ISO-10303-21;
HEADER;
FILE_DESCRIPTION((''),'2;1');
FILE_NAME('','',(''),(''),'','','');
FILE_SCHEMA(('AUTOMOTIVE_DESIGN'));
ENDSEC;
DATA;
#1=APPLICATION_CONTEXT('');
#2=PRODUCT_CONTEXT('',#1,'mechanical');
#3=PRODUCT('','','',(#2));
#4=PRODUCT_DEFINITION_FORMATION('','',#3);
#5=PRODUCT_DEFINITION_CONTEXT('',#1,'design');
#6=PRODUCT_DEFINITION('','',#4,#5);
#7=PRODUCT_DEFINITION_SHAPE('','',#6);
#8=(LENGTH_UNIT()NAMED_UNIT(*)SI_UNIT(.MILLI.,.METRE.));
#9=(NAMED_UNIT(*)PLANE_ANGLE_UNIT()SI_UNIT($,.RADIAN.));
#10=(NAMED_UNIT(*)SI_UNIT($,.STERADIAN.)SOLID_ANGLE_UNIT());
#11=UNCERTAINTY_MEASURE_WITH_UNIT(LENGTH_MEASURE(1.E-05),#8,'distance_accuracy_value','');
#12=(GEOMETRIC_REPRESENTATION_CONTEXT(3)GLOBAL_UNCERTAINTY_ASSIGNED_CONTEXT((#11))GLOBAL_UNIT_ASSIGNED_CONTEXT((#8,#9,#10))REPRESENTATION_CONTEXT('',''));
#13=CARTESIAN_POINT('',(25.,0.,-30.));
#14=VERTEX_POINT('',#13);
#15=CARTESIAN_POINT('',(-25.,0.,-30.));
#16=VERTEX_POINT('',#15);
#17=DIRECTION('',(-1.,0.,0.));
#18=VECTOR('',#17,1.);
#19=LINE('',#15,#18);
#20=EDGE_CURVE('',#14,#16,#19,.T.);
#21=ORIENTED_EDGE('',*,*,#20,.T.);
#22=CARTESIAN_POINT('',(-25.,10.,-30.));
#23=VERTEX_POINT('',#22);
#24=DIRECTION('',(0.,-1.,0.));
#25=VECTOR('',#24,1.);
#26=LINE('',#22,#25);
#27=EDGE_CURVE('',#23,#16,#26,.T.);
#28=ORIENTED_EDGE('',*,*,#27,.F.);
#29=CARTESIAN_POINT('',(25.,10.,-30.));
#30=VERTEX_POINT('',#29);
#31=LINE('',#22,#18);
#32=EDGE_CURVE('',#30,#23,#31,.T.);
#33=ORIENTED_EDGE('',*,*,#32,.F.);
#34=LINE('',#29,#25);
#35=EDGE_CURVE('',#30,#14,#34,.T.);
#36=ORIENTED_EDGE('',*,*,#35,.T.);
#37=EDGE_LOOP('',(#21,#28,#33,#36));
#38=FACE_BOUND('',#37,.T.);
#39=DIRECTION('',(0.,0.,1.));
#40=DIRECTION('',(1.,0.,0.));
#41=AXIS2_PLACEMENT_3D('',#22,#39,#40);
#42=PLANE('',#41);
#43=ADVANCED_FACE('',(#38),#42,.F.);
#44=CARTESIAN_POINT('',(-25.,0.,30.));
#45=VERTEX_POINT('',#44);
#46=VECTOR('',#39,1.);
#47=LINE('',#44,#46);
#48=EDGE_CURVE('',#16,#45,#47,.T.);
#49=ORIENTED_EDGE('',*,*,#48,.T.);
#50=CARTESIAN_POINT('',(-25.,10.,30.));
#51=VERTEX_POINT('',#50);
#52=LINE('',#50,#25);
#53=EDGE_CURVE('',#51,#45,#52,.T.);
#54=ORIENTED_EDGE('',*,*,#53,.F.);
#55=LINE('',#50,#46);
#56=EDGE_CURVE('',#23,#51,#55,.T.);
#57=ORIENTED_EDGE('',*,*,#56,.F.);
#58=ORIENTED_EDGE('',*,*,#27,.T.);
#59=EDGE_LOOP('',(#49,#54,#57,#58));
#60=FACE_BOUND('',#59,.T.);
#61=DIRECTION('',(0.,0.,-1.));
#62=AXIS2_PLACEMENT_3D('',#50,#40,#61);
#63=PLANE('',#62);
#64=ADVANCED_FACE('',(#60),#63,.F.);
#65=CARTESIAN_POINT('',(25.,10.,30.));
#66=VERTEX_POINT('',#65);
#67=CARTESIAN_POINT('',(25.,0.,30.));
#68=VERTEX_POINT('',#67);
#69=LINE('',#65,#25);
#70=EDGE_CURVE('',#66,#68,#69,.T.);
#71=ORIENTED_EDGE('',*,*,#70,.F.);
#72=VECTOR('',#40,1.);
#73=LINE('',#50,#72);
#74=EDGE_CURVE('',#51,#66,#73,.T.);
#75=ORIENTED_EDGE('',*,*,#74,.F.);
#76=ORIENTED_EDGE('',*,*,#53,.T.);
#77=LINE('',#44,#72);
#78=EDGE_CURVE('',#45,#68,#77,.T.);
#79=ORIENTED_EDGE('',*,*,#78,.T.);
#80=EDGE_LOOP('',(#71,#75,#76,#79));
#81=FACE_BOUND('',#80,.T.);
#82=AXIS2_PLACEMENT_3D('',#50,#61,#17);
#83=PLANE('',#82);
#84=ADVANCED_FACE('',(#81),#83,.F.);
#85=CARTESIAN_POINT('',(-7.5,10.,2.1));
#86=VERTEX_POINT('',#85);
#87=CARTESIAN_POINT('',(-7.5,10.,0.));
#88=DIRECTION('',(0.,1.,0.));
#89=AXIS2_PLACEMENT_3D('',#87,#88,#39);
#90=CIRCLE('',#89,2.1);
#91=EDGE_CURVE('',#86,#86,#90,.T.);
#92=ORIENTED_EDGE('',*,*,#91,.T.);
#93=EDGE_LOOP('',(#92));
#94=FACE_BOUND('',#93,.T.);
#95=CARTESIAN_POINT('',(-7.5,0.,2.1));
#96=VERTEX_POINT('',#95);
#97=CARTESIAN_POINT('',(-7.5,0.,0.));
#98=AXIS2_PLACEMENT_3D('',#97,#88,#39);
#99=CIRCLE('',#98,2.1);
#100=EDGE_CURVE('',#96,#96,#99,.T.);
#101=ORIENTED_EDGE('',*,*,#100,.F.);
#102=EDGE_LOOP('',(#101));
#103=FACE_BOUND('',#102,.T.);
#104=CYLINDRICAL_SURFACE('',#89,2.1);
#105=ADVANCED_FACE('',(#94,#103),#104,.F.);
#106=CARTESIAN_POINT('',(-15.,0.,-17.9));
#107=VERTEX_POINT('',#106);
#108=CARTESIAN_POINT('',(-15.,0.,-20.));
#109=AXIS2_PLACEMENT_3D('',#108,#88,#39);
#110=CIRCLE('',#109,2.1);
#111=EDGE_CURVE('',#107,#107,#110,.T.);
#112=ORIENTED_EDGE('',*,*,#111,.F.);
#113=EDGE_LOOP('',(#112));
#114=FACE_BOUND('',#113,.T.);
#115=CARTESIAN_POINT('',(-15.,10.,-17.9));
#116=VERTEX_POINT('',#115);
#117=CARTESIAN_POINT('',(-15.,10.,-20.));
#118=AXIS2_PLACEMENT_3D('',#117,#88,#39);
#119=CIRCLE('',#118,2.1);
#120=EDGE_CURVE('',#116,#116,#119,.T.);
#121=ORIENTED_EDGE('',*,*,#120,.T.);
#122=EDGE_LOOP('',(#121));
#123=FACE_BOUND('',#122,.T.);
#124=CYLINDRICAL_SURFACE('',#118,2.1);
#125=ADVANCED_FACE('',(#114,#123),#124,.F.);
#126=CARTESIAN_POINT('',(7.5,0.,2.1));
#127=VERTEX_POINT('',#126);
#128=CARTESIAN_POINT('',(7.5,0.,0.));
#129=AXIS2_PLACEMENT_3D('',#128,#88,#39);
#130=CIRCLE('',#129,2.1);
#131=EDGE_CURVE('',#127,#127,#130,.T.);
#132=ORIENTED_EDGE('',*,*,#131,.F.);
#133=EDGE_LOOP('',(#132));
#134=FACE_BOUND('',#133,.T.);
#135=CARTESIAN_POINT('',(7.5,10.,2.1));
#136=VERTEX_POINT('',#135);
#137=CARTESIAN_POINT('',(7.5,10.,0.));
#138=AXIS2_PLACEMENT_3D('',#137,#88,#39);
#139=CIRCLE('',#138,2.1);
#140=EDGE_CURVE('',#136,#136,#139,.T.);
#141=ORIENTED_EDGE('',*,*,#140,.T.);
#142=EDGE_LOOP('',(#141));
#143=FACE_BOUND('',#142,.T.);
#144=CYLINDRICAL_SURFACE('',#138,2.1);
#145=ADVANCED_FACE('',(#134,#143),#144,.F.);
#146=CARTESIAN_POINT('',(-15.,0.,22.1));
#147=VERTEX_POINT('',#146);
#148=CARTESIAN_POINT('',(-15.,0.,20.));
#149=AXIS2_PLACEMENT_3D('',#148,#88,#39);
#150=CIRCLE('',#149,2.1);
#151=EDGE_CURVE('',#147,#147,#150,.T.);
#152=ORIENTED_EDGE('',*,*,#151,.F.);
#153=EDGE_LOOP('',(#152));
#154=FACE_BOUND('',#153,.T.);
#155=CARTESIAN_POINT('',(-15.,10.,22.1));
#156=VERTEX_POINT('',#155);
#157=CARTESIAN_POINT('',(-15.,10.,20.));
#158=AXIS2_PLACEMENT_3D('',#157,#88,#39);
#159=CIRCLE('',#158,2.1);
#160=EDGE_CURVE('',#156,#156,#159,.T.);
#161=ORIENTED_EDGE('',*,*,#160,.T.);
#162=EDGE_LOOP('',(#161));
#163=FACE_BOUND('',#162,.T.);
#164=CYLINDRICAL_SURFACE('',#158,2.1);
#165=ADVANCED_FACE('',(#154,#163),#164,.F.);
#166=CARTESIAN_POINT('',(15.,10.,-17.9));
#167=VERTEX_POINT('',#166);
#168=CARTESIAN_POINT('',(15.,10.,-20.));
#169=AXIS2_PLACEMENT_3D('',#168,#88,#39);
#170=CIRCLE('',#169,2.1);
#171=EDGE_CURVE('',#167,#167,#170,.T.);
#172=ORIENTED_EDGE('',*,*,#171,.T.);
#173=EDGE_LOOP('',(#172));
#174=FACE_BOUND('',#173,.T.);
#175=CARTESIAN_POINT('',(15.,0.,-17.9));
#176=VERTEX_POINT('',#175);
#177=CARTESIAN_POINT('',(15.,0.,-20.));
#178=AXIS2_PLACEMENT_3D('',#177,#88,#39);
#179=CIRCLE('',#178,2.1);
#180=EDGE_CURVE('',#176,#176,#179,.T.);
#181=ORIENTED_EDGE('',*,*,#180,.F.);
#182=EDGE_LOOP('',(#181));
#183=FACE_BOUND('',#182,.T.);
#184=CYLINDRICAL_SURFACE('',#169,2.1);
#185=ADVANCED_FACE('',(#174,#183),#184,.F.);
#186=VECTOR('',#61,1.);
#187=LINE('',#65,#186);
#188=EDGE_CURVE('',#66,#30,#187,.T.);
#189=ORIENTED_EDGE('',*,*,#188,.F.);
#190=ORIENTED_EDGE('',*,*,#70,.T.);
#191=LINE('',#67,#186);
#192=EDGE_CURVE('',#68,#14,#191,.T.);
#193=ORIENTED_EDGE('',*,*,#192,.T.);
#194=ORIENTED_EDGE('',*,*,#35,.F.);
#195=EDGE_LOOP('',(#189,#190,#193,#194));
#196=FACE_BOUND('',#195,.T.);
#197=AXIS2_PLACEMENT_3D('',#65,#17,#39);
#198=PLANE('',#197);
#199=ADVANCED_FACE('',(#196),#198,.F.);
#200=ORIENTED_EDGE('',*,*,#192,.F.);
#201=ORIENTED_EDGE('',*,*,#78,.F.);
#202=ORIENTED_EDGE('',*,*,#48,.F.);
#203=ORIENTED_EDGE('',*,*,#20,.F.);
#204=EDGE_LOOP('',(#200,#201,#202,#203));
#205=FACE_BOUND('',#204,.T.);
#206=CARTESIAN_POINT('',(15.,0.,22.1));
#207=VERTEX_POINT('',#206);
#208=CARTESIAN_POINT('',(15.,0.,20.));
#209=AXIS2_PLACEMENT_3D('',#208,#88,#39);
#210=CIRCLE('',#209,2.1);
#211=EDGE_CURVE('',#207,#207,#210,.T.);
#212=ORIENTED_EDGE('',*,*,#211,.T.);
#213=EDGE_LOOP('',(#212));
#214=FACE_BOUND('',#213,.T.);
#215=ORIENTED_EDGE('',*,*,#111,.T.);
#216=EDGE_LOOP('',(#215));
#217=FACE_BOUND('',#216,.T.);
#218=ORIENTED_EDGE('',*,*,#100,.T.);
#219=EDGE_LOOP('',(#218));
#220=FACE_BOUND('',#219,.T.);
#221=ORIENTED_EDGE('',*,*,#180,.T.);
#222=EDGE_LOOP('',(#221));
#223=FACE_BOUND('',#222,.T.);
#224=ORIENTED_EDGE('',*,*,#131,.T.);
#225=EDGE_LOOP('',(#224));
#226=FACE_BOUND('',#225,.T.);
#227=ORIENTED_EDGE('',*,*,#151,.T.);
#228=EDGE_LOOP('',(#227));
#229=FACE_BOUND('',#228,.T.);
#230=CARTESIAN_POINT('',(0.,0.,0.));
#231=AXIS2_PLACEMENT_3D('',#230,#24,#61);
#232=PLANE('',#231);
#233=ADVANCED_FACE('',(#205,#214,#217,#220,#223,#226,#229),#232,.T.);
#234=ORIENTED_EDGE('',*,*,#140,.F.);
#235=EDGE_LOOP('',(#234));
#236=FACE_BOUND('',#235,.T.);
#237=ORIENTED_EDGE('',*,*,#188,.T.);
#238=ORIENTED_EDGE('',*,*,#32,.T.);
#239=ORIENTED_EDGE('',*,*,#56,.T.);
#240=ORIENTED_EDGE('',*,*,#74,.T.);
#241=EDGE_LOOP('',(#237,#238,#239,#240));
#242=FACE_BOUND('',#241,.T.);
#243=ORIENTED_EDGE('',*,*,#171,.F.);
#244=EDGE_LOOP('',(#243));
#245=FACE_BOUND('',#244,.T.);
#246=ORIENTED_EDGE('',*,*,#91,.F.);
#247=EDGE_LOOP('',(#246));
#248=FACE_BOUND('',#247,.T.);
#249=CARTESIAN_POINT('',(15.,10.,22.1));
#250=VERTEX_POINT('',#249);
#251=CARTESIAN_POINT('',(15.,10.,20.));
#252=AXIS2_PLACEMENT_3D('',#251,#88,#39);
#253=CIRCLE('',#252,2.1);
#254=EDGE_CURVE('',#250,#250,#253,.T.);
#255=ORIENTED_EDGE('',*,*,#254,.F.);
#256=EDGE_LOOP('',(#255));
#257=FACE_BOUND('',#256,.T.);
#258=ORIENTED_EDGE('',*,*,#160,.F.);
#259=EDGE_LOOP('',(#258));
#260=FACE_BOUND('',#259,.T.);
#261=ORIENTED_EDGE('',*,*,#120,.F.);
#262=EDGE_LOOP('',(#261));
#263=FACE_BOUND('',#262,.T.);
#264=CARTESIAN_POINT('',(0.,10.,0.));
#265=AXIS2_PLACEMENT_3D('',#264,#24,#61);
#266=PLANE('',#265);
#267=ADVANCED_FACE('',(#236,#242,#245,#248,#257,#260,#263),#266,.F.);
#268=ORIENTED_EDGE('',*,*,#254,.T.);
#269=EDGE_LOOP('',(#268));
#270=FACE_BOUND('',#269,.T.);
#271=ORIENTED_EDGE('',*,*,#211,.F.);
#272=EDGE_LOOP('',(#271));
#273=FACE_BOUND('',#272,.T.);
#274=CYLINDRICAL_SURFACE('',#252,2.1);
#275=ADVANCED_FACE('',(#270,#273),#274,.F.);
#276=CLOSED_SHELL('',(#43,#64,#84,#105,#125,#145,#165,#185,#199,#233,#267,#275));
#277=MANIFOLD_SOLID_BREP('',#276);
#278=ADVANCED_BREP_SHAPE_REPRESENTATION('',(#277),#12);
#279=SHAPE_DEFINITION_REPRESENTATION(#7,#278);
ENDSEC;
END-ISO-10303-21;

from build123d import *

# Parameters (mm, degrees)
SKETCH1_W           = 50
SKETCH1_H           = 60
BOSS_EXTRUDE1_DEPTH = 10
M5_TAPPED_HOLE1_D   = 4.2
M5_TAPPED_HOLE2_D   = 4.2


with BuildPart() as part:
    # Sketch1 → Boss-Extrude1 (new body)
    with BuildSketch(Plane(origin=(0, 0, 0), x_dir=(1, 0, 0), z_dir=(0, 1, 0))):
        Rectangle(SKETCH1_W, SKETCH1_H)
    extrude(amount=BOSS_EXTRUDE1_DEPTH)

    # M5 Tapped Hole1 (through all)
    with Locations(Plane(origin=(0, 10, 0), x_dir=(1, 0, 0), z_dir=(0, 1, 0))):
        with Locations((-7.5, 0), (7.5, 0)):
            Hole(M5_TAPPED_HOLE1_D / 2)

    # M5 Tapped Hole2 (through all)
    with Locations(Plane(origin=(0, 10, 0), x_dir=(1, 0, 0), z_dir=(0, 1, 0))):
        with Locations((15, 20), (-15, 20), (-15, -20), (15, -20)):
            Hole(M5_TAPPED_HOLE2_D / 2)


solid = part.part
